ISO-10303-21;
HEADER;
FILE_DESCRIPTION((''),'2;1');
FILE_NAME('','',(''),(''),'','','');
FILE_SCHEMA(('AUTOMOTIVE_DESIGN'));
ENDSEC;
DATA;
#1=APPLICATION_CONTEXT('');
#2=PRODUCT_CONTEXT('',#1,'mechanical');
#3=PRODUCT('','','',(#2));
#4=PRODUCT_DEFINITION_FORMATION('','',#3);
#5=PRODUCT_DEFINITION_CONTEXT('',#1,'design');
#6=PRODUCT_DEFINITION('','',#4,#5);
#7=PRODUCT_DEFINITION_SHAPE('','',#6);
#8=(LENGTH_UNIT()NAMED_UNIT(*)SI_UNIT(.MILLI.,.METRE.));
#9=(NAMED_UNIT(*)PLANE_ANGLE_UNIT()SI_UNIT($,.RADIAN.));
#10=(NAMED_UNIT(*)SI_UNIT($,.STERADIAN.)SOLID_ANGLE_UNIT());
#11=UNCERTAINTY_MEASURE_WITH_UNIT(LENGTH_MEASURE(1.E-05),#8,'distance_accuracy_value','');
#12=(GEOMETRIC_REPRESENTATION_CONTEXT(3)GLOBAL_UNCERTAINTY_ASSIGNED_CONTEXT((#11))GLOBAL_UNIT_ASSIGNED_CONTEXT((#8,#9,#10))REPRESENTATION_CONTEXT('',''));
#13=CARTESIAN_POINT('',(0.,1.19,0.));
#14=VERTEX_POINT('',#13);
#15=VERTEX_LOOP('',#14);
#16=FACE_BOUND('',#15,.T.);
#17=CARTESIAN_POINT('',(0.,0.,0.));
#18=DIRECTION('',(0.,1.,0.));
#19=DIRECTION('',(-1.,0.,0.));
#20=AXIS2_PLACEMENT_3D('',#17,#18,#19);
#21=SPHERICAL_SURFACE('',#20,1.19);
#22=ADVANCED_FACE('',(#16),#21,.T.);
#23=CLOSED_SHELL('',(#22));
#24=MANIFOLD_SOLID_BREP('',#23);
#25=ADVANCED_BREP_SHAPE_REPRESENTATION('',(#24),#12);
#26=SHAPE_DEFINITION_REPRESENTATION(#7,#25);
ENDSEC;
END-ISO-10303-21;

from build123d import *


with BuildPart() as part:
    # Sketch1 → Revolve1 (revolve)
    with BuildSketch(Plane.XY):
        with BuildLine():
            Line((0, -1.19), (0, 1.19))
            ThreePointArc((0, 1.19), (1.19, 0), (0, -1.19))
        make_face()
    revolve(axis=Axis((0, 1.19, 0), (0, -1, 0)))


solid = part.part
